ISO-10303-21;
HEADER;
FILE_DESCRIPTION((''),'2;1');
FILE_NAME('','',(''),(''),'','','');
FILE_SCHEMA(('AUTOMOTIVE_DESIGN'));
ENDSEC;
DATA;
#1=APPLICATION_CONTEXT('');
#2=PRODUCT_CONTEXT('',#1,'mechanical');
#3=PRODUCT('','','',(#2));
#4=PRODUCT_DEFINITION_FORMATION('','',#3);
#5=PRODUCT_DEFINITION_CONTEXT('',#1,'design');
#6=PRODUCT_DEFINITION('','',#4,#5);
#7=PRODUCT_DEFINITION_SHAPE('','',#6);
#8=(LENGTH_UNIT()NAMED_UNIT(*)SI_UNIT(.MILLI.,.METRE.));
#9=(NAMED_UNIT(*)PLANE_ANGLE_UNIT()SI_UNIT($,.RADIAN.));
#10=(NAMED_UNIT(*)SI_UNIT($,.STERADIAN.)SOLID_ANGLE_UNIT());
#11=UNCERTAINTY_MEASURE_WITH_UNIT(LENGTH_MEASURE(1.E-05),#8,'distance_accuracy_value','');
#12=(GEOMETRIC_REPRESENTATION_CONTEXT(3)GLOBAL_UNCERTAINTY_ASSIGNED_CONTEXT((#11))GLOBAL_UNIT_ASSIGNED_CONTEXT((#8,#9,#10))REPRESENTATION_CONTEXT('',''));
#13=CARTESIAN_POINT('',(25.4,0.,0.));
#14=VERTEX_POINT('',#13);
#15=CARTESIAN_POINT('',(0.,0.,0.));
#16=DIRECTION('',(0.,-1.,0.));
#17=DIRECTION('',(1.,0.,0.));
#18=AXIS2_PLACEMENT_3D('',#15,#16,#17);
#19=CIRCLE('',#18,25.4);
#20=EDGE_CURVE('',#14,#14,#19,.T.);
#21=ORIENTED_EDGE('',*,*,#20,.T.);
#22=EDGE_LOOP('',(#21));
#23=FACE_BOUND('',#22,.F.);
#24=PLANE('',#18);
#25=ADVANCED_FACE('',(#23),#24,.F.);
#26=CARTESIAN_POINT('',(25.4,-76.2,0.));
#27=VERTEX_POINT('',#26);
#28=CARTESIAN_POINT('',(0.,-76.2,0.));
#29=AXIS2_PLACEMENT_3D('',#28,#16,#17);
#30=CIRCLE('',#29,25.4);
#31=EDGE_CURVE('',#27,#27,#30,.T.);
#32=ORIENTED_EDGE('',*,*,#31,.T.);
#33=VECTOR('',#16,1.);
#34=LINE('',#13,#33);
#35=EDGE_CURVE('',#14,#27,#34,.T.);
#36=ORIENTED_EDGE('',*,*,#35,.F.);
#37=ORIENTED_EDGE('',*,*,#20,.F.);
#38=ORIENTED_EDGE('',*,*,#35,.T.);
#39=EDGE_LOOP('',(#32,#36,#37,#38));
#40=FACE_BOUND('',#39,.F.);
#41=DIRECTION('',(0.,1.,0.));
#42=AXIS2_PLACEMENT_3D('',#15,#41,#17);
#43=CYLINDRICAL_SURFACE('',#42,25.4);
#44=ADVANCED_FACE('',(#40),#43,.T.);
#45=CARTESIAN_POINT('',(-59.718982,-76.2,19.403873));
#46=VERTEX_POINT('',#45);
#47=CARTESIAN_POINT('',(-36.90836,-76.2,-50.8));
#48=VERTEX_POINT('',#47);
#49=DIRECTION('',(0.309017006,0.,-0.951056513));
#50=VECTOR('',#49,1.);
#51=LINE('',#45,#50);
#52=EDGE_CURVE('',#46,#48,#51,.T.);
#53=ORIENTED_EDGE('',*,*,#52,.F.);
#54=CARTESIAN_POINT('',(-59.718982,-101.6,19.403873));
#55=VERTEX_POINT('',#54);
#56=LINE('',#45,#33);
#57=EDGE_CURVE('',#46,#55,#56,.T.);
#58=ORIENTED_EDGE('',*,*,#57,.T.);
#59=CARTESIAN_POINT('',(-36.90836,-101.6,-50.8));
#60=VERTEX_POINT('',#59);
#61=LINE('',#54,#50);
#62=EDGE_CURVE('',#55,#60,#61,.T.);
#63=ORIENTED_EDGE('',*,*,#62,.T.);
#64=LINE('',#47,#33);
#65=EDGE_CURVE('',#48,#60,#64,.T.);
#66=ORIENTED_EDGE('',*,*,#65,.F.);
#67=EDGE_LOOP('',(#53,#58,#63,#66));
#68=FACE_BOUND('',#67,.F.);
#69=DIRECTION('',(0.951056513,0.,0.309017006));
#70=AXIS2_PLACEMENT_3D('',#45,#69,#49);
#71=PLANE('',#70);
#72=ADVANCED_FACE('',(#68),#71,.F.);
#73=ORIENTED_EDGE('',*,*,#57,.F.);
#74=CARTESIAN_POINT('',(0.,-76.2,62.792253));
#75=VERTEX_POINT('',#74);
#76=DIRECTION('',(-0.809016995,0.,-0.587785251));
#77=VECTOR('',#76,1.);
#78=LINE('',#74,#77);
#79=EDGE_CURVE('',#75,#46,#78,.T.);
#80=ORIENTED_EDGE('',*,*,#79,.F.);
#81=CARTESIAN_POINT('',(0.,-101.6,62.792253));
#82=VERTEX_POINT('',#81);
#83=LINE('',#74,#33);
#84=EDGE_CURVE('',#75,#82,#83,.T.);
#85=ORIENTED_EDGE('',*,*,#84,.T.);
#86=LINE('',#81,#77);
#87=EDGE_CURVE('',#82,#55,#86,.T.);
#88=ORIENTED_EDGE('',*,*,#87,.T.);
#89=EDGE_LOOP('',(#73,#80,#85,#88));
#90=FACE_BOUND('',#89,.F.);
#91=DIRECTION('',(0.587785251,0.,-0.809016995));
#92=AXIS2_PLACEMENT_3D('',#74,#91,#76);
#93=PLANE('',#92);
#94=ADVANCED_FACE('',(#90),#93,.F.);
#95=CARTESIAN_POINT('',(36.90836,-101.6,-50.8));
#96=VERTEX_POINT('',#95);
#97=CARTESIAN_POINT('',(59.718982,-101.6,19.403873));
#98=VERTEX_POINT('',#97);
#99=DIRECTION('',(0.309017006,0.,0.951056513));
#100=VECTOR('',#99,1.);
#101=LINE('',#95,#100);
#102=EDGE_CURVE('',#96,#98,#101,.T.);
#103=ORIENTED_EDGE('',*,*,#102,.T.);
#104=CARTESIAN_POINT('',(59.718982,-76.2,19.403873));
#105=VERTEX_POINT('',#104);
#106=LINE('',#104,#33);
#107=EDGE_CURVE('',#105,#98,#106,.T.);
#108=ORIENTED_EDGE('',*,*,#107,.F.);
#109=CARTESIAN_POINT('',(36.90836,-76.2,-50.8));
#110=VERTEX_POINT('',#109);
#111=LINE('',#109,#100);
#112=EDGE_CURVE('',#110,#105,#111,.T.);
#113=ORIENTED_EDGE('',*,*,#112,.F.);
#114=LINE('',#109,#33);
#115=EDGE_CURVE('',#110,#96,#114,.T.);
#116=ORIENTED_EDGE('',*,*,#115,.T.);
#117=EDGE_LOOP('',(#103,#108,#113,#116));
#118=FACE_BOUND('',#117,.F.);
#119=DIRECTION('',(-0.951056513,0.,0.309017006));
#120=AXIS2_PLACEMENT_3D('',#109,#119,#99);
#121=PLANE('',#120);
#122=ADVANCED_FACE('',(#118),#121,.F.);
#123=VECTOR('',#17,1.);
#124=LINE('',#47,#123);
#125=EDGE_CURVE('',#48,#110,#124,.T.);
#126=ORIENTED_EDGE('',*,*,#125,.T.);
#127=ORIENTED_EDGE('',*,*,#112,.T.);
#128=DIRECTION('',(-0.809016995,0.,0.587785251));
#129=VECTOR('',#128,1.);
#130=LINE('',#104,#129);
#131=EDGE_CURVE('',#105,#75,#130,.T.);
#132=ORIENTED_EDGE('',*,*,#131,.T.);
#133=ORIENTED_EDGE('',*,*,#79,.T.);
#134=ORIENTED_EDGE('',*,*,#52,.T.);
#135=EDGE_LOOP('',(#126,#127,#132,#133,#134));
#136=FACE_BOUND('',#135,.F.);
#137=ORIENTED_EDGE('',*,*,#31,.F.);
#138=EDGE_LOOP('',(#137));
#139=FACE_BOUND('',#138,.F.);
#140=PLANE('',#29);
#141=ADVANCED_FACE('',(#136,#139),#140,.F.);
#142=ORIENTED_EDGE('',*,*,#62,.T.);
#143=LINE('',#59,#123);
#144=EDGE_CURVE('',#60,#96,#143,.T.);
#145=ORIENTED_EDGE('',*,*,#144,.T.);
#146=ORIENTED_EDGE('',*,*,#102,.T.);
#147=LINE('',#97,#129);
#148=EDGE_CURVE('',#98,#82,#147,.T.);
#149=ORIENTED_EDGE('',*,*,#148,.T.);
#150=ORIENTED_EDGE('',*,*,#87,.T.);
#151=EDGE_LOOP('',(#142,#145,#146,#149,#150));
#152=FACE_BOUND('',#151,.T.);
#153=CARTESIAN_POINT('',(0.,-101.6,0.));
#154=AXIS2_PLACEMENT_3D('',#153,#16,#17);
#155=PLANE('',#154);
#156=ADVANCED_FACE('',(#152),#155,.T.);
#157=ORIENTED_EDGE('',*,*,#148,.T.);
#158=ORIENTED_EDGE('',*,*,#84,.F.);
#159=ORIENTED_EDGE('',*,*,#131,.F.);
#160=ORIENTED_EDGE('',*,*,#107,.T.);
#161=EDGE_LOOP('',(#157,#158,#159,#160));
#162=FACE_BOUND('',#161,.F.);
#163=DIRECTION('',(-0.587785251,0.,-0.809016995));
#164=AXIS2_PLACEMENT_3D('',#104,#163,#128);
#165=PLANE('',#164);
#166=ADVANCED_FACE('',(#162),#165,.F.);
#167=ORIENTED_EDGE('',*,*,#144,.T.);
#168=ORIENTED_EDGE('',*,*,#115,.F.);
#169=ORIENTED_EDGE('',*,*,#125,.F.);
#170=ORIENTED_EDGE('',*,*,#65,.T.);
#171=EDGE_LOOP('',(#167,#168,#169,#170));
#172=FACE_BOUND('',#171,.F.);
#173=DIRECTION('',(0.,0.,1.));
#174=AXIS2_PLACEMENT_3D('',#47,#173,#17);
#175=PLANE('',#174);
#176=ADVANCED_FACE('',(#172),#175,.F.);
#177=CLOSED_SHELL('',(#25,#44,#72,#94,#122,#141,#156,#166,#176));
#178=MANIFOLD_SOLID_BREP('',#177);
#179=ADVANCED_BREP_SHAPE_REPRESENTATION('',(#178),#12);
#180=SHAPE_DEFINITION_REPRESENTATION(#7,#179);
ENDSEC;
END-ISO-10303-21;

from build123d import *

# Parameters (mm, degrees)
F0_R     = 25.4
F1_DEPTH = 76.2
F3_DEPTH = 25.4


with BuildPart() as f1:
    # F0 (on Front) → F1 (new body)
    with BuildSketch(Plane.XZ):
        Circle(F0_R)
    extrude(amount=F1_DEPTH)

    # F2 (on face) → F3 (join)
    with BuildSketch(Plane.XZ.offset(76.2)):
        Polygon((36.90836, -50.8), (59.718982, 19.403873), (0, 62.792253), (-59.718982, 19.403873), (-36.90836, -50.8), align=None)
    extrude(amount=F3_DEPTH)


solid = f1.part
